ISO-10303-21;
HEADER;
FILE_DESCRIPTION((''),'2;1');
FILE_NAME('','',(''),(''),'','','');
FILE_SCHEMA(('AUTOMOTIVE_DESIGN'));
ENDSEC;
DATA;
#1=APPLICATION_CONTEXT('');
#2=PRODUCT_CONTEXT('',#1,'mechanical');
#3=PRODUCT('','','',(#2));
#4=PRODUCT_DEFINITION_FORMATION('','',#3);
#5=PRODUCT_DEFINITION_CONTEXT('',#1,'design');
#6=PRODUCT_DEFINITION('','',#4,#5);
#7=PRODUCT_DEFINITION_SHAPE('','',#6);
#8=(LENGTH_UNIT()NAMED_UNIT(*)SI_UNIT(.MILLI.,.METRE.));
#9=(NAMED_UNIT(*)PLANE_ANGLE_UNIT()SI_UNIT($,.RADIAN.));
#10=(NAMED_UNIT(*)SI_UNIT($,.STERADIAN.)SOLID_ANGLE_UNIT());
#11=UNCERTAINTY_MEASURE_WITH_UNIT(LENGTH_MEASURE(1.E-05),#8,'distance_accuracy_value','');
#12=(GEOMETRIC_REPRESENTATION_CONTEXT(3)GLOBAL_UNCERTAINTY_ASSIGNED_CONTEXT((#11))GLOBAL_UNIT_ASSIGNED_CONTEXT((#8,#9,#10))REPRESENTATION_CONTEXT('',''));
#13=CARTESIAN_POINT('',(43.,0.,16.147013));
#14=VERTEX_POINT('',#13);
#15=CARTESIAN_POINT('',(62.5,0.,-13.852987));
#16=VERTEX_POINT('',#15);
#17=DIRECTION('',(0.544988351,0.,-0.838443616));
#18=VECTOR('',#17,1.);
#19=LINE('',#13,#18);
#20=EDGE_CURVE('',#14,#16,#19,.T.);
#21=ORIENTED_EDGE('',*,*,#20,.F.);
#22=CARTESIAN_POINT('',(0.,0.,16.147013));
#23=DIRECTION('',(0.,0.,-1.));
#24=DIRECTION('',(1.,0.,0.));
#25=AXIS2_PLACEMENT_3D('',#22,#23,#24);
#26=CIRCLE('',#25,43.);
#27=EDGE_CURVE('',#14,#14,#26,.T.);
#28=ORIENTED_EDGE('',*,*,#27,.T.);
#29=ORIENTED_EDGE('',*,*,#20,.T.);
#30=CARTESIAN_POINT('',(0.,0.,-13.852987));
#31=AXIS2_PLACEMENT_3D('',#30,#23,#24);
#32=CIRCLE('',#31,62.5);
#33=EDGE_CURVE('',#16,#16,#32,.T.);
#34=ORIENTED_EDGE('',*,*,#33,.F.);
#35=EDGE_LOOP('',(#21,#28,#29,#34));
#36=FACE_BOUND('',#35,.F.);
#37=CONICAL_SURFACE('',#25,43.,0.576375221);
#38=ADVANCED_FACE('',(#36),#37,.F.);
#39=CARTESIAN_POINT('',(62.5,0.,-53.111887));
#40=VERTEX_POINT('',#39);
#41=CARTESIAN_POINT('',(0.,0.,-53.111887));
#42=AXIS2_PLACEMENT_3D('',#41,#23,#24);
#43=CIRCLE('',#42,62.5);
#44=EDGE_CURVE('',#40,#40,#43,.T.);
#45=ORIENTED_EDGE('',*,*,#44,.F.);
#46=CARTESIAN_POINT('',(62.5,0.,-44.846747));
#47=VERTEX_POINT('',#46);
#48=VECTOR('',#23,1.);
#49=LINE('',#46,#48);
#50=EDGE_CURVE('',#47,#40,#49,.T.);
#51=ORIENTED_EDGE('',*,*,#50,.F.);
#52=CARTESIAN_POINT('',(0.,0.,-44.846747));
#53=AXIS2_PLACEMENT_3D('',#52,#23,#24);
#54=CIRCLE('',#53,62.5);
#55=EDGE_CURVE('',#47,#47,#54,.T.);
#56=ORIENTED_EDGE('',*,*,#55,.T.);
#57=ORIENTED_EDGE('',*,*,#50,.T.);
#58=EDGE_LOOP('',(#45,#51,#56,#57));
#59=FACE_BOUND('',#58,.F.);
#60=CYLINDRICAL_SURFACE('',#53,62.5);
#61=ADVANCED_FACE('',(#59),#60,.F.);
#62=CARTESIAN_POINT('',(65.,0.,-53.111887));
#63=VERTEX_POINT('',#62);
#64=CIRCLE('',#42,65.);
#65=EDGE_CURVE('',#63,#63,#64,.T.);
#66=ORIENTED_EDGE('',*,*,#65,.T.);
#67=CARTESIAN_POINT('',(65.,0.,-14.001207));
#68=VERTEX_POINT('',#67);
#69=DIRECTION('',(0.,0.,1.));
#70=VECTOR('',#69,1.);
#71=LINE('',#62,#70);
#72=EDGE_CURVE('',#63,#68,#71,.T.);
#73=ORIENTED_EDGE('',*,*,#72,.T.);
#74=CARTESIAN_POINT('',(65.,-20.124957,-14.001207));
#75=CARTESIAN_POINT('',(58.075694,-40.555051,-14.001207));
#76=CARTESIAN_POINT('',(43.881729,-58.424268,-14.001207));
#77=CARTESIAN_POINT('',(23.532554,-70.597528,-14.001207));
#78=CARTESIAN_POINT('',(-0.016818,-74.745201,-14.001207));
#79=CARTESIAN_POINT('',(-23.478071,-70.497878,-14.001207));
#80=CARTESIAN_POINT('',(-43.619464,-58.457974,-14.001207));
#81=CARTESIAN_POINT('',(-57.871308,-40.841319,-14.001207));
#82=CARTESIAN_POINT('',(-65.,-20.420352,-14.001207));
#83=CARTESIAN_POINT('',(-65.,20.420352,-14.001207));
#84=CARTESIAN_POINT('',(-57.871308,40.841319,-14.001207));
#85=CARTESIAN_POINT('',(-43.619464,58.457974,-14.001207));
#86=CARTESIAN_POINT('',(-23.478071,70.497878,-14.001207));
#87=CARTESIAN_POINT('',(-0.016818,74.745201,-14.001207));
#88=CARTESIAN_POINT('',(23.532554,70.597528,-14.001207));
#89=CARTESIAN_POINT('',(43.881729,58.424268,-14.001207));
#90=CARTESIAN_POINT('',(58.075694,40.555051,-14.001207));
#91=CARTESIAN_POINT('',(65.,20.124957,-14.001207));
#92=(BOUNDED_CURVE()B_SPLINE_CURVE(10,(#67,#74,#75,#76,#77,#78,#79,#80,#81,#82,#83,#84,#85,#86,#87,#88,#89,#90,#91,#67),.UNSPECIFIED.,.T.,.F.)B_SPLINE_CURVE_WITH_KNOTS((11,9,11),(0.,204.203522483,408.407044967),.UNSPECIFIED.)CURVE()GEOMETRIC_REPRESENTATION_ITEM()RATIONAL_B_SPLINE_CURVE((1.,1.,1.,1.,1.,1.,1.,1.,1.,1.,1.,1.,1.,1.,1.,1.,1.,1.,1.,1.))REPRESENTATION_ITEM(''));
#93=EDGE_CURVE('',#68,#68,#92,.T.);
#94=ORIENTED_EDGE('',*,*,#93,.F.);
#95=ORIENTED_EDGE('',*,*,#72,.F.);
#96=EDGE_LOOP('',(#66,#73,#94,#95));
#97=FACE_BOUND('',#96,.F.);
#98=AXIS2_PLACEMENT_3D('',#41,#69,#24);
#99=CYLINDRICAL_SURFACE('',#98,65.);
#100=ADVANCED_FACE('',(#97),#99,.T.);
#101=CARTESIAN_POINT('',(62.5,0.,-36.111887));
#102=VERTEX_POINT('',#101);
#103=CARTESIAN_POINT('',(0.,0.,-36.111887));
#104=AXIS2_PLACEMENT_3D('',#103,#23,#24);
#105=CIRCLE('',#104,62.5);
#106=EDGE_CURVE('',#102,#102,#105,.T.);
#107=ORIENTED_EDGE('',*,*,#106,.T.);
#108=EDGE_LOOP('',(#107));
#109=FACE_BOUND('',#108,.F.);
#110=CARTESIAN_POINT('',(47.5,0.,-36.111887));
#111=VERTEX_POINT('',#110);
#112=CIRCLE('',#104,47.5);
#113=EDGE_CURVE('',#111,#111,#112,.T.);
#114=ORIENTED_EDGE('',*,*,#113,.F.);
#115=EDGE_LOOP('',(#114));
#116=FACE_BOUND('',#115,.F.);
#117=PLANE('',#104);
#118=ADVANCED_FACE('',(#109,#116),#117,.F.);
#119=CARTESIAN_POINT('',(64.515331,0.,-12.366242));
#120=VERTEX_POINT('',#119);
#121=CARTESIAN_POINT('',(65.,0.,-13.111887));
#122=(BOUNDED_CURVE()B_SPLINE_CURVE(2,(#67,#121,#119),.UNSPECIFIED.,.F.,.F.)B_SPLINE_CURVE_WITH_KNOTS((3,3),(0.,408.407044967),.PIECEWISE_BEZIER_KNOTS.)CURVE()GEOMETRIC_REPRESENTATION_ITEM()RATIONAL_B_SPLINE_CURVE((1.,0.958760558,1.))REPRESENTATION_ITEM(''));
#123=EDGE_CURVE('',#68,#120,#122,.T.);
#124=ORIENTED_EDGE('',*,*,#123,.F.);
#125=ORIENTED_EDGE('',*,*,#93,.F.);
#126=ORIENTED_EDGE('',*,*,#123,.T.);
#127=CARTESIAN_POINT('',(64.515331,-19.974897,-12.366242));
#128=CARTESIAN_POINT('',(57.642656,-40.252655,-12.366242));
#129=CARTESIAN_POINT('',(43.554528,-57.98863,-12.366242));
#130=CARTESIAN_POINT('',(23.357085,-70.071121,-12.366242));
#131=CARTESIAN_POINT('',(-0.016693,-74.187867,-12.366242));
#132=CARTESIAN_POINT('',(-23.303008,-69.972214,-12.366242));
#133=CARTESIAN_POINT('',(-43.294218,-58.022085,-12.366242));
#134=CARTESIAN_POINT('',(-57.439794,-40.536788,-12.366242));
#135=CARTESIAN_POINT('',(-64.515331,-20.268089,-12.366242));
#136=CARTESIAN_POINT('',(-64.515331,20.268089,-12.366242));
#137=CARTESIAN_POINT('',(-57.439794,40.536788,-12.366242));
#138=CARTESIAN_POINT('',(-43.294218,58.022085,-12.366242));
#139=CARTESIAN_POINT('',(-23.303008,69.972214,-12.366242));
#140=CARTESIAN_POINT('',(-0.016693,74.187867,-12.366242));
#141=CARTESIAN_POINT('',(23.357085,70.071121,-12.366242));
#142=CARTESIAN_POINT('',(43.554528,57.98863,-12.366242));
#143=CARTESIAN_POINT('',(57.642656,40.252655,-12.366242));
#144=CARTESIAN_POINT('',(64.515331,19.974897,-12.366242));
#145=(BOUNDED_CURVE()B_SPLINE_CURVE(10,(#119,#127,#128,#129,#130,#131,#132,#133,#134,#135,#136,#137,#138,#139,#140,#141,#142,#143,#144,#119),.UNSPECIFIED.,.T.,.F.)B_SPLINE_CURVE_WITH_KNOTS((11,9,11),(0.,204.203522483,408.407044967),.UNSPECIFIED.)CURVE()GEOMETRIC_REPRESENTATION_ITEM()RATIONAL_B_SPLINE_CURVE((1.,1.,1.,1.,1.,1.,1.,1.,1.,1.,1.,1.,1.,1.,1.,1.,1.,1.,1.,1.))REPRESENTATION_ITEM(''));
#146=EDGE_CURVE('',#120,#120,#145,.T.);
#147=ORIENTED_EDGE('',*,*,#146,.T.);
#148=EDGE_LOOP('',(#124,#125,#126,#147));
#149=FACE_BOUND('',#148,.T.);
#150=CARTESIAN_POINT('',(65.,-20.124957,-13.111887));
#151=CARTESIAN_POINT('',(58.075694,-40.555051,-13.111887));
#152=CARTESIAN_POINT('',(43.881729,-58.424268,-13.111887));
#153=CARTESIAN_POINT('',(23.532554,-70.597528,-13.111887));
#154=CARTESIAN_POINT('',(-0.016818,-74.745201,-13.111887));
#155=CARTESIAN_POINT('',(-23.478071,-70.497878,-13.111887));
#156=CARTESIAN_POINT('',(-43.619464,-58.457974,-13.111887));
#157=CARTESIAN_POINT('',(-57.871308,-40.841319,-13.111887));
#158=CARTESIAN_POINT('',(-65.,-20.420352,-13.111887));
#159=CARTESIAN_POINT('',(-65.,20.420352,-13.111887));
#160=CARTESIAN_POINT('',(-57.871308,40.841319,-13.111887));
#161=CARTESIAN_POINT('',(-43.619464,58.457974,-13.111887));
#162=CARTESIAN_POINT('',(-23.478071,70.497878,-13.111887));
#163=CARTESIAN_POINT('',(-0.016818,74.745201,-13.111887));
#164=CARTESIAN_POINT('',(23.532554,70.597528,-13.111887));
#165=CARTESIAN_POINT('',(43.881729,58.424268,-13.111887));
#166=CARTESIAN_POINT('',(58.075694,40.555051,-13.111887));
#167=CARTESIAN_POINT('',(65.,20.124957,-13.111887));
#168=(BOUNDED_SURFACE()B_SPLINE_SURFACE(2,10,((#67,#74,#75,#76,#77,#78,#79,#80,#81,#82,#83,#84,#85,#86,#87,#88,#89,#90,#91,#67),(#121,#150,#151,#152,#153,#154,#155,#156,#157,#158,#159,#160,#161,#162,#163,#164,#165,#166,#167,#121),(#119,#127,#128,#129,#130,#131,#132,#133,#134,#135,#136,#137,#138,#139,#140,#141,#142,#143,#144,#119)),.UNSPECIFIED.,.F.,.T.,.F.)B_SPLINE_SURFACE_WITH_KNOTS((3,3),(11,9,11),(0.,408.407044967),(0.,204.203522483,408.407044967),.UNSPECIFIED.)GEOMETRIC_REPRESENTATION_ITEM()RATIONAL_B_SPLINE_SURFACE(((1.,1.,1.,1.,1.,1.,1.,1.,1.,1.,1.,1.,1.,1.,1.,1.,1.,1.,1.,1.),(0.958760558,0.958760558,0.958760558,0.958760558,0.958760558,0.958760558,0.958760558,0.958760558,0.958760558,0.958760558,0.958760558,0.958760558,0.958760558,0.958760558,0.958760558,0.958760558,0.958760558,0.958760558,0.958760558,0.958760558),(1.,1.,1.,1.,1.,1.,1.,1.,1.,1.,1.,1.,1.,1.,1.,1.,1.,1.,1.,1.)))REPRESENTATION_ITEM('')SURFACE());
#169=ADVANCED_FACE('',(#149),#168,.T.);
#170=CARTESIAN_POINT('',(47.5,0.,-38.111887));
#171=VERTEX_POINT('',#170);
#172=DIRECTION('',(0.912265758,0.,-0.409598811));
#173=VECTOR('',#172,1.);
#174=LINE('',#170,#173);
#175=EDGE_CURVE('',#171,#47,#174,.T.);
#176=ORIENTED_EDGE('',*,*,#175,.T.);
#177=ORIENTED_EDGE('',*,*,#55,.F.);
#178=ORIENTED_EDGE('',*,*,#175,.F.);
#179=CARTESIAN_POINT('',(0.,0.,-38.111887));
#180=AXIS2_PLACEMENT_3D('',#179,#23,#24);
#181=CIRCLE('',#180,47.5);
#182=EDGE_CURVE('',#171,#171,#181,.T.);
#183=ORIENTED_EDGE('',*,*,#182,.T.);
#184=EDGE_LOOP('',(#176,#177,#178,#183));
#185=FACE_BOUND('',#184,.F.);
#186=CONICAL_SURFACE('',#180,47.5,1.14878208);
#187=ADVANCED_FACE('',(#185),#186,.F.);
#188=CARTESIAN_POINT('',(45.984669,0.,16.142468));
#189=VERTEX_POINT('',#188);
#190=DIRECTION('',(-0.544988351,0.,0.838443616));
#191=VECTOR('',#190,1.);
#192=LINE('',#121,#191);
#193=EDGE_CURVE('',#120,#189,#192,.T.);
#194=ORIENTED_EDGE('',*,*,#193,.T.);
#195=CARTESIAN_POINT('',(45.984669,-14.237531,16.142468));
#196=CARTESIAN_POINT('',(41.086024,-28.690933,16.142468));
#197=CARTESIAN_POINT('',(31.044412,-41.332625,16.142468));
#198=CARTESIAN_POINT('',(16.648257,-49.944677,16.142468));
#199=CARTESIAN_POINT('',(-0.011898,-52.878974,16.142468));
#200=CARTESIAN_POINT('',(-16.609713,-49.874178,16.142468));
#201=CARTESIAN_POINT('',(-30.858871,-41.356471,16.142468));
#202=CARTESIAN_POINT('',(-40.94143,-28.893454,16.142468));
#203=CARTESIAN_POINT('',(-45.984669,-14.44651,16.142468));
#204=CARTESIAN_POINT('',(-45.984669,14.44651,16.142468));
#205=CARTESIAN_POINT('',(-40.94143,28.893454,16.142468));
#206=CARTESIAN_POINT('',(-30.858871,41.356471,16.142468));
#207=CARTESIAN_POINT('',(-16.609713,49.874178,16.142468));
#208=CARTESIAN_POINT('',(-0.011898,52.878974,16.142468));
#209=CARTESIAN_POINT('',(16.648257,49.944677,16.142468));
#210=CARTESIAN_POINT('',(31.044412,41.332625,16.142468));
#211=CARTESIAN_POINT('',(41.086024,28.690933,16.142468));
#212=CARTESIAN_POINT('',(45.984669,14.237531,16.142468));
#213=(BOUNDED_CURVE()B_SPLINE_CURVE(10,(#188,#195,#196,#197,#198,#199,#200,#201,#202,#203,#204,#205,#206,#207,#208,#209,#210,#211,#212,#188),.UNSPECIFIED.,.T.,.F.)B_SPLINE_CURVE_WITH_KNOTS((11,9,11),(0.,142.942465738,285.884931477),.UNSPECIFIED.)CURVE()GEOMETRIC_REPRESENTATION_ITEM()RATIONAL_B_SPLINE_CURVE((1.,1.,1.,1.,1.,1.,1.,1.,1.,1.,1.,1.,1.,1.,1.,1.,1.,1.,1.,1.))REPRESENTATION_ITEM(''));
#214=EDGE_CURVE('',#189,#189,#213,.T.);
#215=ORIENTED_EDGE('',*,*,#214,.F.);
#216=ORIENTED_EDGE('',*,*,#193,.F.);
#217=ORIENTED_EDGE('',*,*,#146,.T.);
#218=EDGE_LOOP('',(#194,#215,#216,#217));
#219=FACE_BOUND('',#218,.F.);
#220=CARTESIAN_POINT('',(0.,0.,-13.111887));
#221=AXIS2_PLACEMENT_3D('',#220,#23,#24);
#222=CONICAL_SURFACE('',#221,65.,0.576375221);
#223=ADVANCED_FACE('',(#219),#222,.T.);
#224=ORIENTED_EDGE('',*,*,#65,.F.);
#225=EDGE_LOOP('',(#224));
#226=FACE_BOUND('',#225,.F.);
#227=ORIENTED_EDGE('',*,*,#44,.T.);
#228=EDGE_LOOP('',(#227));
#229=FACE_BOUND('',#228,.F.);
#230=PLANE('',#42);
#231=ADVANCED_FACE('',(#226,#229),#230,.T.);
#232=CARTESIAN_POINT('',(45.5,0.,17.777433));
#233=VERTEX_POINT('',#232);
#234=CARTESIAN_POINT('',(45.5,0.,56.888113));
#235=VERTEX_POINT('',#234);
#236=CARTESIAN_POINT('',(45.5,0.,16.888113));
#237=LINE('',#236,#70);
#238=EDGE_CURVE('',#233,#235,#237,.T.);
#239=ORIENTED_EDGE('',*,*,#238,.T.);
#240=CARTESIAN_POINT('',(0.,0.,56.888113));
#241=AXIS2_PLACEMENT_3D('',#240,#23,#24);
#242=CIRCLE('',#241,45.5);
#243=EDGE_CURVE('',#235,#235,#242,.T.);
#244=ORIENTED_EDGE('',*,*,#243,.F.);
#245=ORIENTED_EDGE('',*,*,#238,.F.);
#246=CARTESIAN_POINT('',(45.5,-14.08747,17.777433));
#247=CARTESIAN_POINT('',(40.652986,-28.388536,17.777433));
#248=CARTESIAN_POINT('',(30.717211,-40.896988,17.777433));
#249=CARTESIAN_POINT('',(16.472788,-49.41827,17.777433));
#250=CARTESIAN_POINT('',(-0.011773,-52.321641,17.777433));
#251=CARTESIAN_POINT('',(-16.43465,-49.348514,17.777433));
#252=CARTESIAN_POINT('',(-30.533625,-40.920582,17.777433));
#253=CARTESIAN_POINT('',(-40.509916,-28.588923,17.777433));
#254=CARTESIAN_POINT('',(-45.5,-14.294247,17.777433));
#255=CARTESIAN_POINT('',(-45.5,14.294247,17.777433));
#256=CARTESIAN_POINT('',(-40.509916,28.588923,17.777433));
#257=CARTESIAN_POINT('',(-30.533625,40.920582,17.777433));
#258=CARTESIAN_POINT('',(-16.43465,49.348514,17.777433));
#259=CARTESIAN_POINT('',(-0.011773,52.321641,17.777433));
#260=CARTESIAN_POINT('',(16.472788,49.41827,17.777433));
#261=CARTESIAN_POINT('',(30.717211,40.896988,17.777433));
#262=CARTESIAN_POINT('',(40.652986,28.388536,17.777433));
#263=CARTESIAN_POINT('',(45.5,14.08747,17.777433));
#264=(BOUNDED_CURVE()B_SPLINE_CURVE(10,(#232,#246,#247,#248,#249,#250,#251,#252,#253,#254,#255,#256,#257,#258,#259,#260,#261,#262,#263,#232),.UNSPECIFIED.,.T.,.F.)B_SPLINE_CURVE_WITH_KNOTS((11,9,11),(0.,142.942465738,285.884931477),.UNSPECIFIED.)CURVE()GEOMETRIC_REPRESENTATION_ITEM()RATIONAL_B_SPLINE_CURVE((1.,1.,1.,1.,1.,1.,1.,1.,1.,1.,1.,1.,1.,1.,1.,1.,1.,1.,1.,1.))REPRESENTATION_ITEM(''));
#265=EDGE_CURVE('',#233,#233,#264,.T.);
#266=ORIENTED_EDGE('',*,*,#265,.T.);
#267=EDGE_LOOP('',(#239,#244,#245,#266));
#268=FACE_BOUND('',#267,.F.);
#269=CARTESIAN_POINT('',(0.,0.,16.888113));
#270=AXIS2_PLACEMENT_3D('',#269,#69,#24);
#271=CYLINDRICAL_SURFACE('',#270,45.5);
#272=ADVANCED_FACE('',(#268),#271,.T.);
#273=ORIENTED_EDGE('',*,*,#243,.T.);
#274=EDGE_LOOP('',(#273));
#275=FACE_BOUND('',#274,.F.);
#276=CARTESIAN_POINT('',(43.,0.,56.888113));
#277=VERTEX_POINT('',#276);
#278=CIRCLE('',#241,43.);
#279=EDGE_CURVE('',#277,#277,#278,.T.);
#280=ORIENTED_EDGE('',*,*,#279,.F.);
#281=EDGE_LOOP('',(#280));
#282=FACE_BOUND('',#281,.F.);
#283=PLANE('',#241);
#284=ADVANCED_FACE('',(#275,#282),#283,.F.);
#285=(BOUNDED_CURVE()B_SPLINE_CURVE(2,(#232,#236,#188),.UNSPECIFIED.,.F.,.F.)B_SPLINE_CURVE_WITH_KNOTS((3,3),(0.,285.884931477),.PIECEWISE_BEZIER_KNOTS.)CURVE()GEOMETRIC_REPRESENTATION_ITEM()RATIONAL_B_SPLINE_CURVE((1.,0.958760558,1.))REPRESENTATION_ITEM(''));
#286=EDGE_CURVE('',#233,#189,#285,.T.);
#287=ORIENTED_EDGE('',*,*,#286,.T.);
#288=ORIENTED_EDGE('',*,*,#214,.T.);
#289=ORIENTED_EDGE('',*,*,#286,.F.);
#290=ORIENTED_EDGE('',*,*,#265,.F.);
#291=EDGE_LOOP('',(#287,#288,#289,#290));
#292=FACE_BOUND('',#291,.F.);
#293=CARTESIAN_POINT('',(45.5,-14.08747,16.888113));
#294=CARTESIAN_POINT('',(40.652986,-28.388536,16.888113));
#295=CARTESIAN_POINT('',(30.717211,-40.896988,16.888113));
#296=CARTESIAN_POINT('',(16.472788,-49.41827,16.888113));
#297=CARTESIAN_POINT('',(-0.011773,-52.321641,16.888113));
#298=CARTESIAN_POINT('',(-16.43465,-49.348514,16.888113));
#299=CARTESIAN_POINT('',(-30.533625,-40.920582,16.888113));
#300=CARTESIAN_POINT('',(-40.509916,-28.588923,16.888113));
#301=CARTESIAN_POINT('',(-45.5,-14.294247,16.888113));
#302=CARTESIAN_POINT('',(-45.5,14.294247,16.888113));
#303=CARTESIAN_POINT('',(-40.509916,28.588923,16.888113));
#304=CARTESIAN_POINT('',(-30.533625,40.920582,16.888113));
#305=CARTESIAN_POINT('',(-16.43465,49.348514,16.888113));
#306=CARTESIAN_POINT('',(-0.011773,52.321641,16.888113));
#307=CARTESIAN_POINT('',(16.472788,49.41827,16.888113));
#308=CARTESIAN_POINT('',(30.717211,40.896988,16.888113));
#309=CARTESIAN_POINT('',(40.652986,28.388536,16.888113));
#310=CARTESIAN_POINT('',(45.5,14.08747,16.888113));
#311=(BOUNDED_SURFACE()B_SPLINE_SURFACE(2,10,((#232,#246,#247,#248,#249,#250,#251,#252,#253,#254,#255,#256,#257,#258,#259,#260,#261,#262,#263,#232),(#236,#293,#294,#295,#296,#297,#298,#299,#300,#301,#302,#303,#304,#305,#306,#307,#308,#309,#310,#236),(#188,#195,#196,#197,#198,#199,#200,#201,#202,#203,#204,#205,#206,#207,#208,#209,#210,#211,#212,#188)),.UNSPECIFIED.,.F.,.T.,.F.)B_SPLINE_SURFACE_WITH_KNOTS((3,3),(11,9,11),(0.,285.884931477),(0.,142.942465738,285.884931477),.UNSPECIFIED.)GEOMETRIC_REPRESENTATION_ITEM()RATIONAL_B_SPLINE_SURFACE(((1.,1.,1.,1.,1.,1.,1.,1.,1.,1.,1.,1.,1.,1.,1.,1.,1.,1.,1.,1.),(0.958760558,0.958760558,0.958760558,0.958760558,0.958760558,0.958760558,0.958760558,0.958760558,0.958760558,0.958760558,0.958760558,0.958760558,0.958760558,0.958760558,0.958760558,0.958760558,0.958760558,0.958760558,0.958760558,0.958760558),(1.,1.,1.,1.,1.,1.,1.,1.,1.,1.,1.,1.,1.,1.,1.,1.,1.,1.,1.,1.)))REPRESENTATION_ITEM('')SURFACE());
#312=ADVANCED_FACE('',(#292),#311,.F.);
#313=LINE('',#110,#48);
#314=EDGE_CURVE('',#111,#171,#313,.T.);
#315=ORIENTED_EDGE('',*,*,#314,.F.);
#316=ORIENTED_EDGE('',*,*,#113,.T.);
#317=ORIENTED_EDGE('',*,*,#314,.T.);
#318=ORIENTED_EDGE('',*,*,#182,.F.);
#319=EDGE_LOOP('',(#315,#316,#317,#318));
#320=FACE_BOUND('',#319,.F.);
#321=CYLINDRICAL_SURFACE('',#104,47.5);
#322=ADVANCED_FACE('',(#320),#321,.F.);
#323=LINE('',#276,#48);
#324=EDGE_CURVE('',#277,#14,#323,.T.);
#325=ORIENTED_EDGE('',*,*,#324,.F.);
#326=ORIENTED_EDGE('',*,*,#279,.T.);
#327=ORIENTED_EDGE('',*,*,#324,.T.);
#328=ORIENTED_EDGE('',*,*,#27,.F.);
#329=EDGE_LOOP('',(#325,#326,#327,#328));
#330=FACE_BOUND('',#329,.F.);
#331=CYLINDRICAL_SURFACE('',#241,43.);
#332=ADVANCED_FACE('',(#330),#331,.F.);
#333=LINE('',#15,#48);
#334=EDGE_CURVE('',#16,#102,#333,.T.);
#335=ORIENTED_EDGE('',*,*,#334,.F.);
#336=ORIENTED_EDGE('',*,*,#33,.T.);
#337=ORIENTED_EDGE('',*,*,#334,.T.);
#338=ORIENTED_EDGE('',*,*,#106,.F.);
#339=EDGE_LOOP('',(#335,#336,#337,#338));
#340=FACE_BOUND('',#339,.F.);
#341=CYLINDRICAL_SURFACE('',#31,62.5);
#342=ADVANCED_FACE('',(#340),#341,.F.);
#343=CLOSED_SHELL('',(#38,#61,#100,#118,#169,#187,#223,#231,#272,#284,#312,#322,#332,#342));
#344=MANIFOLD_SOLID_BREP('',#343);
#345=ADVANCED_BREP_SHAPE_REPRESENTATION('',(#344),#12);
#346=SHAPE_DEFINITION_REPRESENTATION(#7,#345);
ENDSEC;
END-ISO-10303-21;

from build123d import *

# Parameters (mm, degrees)
F2_R = 3


with BuildPart() as f1:
    # F0 (on Front) → F1 (revolve)
    with BuildSketch(Plane.XZ):
        Polygon((45.5, 16.888113), (45.5, 56.888113), (43, 56.888113), (43, 16.147013), (62.5, -13.852987), (62.5, -36.111887), (47.5, -36.111887), (47.5, -38.111887), (62.5, -44.846747), (62.5, -53.111887), (65, -53.111887), (65, -13.111887), align=None)
    revolve(axis=Axis((0, 0, 3.055942), (0, 0, -1)))

    # F2
    f2_edges = [f1.edges().sort_by_distance(p)[0] for p in [
        (-65, 0, -13.111887),
        (-45.5, 0, 16.888113),
    ]]
    fillet(f2_edges, radius=F2_R)


solid = f1.part
